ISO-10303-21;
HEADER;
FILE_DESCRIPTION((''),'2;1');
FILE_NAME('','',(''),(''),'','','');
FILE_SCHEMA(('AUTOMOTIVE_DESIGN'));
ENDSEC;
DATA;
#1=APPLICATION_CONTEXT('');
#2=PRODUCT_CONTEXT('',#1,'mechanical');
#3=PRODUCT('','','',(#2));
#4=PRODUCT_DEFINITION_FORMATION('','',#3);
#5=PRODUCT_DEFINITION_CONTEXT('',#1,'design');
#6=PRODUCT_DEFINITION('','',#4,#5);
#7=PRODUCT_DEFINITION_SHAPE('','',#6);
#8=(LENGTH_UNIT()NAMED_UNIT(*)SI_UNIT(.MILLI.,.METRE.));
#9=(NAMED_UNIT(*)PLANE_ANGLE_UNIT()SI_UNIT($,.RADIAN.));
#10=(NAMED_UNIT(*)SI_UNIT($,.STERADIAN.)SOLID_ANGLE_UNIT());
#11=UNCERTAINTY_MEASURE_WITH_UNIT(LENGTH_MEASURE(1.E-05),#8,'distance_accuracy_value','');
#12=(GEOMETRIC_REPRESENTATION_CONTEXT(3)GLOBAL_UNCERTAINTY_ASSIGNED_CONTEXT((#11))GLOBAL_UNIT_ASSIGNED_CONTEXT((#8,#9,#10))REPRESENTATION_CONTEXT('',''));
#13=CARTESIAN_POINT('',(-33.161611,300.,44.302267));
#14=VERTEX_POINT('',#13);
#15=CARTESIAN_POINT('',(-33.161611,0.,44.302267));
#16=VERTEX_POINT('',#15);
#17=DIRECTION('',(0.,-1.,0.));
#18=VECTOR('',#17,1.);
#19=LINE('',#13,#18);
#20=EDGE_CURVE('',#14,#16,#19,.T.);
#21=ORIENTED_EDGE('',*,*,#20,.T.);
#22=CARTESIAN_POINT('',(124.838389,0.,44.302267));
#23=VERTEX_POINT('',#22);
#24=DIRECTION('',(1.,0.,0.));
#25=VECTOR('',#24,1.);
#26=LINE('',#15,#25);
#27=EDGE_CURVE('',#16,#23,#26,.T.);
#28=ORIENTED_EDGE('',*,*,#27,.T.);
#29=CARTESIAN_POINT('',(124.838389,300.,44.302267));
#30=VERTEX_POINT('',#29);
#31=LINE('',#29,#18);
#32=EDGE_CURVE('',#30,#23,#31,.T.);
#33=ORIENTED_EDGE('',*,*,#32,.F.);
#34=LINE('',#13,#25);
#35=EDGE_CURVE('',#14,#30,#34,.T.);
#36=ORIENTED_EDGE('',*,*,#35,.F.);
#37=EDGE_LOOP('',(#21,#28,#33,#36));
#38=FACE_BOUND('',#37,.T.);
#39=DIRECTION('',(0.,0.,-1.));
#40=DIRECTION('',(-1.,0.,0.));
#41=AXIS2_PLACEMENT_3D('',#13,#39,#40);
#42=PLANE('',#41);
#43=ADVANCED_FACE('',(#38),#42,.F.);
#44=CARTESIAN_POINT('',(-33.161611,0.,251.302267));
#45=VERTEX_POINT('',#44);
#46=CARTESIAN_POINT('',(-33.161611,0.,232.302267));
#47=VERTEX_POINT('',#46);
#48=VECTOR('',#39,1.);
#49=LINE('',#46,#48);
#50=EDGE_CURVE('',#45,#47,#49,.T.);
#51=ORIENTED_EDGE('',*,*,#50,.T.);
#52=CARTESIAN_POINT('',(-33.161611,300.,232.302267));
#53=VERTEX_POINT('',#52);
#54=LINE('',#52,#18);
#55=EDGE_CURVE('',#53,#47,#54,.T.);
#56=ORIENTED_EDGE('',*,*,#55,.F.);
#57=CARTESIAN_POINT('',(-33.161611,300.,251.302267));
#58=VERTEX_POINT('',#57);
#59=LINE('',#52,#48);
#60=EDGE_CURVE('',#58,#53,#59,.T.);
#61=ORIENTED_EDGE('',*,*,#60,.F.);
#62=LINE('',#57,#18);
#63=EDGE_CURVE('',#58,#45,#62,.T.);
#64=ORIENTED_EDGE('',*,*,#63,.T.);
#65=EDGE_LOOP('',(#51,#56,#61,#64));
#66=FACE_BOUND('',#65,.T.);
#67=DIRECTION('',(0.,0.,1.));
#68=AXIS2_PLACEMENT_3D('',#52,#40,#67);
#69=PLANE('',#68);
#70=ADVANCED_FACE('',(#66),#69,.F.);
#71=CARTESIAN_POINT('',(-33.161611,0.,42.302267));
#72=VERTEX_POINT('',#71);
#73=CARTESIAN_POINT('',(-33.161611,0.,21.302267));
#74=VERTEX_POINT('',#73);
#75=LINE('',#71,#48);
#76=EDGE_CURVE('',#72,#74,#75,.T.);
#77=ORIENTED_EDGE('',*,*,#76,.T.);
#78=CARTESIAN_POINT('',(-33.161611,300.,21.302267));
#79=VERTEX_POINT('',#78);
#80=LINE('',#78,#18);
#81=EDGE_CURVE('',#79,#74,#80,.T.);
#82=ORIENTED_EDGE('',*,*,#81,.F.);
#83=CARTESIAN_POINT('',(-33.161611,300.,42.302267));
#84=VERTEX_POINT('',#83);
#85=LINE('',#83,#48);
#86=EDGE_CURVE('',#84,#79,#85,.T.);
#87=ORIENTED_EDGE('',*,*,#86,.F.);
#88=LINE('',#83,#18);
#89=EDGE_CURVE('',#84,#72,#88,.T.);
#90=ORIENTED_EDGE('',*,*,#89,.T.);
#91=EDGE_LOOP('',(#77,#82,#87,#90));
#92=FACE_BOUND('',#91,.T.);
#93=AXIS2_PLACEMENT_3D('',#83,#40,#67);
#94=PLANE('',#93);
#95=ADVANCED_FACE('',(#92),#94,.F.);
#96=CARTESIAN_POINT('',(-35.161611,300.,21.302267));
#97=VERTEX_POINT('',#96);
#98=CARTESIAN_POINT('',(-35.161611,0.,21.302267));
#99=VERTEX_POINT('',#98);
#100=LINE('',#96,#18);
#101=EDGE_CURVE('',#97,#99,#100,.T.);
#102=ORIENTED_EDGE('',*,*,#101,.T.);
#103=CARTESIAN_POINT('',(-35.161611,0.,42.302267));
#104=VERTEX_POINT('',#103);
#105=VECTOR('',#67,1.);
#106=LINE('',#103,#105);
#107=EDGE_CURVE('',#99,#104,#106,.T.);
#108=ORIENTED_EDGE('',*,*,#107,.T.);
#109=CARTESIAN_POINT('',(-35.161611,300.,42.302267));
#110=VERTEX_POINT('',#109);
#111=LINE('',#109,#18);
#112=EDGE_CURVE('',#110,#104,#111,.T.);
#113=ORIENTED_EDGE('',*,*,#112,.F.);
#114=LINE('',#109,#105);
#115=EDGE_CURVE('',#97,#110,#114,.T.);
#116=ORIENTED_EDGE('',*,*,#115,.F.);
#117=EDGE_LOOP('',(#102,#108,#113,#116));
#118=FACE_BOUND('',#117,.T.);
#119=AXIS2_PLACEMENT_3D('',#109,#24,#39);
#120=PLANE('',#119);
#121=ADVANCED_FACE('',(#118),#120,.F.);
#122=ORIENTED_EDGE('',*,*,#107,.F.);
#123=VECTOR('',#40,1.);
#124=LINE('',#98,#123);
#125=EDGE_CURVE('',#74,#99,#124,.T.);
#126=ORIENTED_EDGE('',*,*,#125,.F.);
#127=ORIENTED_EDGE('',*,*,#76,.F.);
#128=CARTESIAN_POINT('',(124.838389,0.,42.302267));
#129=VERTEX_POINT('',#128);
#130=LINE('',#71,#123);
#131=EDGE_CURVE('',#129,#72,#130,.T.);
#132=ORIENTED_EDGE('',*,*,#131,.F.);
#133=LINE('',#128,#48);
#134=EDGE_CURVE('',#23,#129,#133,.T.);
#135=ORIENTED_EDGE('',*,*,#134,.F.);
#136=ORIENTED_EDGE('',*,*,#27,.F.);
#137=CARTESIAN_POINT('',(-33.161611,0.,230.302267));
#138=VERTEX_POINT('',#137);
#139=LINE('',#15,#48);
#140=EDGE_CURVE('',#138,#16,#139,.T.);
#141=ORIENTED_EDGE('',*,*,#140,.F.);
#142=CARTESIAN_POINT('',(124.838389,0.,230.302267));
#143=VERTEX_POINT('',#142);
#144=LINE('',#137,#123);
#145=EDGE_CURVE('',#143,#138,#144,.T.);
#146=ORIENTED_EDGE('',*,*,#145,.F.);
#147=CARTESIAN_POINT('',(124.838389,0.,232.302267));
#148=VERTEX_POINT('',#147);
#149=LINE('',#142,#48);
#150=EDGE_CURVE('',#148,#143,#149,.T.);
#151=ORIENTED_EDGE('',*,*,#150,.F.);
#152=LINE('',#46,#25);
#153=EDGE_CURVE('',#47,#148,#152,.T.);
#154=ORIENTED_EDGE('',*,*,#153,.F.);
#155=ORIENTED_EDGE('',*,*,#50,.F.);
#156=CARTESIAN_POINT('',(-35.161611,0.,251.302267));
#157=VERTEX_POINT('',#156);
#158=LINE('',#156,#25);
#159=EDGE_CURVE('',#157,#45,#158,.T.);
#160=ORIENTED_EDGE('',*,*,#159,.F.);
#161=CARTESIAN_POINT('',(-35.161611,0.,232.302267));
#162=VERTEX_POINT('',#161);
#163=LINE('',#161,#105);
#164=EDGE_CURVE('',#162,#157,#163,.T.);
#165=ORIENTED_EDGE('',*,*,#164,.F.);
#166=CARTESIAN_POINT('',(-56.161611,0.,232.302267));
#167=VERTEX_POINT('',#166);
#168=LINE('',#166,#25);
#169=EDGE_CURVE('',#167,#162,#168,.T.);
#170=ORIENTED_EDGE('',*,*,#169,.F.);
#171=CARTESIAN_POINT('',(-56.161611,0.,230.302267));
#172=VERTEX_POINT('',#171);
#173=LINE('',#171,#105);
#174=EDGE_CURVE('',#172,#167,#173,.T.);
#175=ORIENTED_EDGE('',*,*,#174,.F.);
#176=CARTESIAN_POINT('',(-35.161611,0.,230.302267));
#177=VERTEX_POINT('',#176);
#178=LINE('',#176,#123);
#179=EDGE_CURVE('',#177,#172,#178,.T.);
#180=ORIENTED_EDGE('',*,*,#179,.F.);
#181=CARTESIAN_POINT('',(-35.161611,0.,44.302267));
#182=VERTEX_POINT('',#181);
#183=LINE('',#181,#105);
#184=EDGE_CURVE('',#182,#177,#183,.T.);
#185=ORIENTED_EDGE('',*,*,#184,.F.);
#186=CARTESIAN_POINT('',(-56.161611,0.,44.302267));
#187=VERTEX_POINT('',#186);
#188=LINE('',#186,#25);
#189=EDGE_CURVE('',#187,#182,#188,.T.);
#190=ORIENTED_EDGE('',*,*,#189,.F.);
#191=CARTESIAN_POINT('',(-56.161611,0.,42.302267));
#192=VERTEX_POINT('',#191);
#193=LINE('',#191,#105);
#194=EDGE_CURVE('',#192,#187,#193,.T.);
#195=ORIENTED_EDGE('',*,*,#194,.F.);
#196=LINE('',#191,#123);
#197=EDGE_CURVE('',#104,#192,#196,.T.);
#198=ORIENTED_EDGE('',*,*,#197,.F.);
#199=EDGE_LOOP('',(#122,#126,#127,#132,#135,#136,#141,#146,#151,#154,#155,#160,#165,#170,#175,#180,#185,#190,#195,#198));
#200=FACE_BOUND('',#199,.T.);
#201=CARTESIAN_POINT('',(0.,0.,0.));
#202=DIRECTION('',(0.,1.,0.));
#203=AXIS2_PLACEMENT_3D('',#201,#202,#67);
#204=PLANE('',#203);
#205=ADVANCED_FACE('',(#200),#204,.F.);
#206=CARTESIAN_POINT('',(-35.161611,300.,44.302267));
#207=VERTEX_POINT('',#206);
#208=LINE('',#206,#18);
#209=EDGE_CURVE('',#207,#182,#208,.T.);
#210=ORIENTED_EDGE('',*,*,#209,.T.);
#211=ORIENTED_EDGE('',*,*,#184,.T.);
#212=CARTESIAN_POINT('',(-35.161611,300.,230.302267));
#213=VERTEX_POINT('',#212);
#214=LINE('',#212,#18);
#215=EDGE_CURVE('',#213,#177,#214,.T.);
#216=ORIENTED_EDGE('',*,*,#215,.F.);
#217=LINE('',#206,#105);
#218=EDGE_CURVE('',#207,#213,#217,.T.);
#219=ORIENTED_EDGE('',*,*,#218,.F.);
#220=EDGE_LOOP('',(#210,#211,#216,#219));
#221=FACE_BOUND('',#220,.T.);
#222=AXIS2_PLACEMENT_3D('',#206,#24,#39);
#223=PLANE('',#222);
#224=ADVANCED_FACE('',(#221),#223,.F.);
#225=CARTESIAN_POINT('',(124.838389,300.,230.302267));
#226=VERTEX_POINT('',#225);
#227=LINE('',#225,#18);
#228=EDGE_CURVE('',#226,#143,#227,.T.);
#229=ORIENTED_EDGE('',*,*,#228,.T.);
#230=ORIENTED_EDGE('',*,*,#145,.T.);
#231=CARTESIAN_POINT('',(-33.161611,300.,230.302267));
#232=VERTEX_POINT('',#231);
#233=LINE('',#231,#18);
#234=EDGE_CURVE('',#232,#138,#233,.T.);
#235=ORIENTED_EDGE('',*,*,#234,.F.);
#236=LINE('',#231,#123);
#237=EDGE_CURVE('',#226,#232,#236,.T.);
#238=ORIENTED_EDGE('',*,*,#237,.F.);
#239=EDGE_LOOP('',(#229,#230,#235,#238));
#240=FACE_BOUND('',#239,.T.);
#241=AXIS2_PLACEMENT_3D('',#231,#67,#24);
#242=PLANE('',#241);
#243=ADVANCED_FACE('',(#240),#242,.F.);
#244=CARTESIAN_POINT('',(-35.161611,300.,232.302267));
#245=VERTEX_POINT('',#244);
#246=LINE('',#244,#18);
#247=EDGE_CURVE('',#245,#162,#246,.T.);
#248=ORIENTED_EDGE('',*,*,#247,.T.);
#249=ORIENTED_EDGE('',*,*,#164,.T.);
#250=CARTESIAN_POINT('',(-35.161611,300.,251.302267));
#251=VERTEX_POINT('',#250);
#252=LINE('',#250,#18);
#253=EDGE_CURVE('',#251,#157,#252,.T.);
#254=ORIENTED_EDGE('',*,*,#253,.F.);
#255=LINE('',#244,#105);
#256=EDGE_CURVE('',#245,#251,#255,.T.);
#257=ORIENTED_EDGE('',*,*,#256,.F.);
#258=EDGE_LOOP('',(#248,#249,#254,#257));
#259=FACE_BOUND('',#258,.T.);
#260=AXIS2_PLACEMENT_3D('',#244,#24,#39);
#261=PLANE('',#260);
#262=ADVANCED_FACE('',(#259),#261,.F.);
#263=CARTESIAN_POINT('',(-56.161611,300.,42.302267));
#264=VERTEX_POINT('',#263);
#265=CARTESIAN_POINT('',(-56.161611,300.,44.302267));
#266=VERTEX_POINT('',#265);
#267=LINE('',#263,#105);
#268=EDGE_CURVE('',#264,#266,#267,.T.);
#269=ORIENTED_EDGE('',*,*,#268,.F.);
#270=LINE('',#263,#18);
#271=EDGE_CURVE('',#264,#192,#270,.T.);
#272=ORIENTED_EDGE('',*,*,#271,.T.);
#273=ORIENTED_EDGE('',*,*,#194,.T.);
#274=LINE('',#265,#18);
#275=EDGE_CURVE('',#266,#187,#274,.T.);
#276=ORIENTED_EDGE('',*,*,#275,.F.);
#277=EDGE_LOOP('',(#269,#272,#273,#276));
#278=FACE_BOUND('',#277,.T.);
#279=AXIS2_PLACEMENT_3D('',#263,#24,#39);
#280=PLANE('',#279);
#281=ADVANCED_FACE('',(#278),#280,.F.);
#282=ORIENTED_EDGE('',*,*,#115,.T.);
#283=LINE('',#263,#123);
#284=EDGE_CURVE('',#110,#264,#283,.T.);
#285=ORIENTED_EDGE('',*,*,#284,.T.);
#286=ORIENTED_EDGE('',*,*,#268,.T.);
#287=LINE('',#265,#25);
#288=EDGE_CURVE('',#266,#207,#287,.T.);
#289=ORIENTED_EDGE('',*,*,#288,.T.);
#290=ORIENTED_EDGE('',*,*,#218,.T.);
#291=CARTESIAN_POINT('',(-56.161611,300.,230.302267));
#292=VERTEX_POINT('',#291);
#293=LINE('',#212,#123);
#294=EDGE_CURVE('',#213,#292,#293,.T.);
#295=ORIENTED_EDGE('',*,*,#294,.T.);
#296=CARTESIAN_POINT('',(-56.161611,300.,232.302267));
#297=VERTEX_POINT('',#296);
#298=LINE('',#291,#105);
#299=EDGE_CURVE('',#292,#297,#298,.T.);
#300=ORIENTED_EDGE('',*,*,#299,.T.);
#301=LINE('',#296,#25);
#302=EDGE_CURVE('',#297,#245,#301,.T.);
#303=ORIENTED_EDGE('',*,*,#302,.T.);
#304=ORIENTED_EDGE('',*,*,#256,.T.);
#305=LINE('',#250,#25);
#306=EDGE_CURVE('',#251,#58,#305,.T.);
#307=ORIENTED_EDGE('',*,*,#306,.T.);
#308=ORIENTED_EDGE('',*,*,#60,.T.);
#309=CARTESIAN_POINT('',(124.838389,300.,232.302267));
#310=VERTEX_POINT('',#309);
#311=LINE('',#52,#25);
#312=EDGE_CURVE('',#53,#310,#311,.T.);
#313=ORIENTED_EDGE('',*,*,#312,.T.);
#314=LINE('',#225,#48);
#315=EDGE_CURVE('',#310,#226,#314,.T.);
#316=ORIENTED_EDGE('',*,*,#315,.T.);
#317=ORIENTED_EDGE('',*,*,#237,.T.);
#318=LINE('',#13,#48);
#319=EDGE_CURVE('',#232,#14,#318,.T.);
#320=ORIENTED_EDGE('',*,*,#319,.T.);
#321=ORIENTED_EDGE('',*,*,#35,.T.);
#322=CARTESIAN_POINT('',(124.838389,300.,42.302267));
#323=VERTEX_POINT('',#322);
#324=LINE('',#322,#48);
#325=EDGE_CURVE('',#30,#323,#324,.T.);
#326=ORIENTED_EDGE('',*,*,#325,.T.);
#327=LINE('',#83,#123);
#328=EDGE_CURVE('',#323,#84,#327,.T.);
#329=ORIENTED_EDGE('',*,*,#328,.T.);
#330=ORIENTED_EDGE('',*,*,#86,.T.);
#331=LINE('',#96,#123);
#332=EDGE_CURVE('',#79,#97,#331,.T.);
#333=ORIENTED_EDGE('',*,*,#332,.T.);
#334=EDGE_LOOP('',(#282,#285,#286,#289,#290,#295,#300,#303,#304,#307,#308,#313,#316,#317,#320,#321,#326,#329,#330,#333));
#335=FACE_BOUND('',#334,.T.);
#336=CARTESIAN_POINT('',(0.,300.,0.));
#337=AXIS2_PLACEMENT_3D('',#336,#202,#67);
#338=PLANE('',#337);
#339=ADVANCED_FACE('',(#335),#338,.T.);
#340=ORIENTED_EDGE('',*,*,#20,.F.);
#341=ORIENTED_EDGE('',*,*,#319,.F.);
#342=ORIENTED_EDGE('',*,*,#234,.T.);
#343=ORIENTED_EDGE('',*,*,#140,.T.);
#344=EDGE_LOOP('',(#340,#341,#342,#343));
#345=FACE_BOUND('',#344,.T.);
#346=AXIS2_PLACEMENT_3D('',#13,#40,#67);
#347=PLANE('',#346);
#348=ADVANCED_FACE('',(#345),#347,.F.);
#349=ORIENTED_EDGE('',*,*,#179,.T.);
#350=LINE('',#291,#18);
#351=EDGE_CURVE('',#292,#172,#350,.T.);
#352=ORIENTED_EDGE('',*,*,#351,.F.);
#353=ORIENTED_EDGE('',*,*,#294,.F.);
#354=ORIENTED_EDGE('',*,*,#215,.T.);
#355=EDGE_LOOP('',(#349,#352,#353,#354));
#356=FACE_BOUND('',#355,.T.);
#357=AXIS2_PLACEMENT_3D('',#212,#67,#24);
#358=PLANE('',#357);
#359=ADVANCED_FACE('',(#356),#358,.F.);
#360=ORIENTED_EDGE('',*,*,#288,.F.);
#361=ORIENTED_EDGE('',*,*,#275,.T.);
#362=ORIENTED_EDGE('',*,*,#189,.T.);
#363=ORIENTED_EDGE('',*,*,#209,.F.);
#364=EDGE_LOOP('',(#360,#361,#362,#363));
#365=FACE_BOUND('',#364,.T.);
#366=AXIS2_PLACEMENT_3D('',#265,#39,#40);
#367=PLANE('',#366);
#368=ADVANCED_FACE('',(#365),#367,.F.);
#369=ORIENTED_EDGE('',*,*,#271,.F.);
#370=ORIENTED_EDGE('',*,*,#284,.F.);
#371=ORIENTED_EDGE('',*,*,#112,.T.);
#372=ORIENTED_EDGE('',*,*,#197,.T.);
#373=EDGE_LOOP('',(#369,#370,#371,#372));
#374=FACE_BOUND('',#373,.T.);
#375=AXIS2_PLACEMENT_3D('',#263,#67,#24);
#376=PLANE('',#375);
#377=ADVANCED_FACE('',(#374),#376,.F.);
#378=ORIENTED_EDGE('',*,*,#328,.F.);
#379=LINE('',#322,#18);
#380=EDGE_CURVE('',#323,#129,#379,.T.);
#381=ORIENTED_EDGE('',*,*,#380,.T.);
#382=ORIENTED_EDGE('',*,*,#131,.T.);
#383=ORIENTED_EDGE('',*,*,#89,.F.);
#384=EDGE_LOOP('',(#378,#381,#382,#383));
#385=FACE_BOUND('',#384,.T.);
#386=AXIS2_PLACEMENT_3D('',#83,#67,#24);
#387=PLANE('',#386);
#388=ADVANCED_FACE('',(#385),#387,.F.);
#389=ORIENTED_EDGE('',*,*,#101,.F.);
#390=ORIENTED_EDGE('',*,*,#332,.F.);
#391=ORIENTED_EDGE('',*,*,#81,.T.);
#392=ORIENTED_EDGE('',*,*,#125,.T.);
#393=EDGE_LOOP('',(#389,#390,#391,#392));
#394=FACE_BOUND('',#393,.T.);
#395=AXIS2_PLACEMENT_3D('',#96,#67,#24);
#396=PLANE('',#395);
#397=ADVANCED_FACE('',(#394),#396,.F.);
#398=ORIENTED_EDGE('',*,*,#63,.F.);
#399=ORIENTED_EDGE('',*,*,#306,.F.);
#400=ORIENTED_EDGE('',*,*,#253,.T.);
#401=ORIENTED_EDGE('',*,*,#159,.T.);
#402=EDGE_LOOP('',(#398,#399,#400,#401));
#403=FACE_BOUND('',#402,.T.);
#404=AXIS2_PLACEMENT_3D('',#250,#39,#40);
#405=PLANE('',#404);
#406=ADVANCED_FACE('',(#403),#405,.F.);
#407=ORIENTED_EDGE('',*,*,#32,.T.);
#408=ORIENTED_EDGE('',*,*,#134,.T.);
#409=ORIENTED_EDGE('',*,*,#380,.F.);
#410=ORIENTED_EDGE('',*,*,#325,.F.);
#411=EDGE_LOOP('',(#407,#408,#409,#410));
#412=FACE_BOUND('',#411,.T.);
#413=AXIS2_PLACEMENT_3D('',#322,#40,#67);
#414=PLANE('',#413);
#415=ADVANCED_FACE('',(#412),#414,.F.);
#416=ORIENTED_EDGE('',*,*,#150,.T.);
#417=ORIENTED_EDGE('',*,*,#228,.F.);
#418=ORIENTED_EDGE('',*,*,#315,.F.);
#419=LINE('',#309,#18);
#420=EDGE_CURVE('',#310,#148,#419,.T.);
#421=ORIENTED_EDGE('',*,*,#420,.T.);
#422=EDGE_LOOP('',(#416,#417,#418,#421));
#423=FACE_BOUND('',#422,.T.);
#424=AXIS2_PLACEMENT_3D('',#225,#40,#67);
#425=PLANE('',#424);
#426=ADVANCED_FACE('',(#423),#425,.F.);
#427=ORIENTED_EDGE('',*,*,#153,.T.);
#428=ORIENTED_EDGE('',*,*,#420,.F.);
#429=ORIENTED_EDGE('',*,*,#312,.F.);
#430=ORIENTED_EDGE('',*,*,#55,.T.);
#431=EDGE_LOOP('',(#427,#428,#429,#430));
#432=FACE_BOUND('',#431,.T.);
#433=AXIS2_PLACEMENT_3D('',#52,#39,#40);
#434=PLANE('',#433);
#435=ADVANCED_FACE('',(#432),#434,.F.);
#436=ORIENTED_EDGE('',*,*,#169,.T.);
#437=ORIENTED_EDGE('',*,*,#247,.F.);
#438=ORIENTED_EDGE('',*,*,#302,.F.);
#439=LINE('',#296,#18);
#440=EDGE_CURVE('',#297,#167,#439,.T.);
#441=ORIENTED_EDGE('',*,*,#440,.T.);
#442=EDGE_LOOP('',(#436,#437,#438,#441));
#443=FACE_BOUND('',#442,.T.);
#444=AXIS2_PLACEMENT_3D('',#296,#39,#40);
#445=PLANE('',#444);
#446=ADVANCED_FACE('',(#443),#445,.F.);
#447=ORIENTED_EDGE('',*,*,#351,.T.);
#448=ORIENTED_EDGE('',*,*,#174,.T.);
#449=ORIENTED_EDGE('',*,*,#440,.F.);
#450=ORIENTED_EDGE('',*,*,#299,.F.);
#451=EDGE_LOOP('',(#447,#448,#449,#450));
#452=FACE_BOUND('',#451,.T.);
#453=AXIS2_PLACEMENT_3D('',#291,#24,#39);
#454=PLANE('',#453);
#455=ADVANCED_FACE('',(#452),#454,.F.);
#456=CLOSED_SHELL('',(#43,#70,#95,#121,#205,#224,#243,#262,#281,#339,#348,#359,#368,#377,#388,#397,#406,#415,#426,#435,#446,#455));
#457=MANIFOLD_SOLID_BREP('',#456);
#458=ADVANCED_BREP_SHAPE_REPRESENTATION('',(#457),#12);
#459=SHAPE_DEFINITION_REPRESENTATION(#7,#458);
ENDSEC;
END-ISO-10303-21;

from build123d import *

# Parameters (mm, degrees)
BOSS_EXTRUDE1_DEPTH = 300


with BuildPart() as part:
    # Sketch1 → Boss-Extrude1 (new body)
    with BuildSketch(Plane(origin=(0, 0, 0), x_dir=(1, 0, 0), z_dir=(0, 1, 0))):
        Polygon((-56.161611152, -42.302266887), (-35.161611152, -42.302266887), (-35.161611152, -21.302266887), (-33.161611152, -21.302266887), (-33.161611152, -42.302266887), (124.838388848, -42.302266887), (124.838388848, -44.302266887), (-33.161611152, -44.302266887), (-33.161611152, -230.302266887), (124.838388848, -230.302266887), (124.838388848, -232.302266887), (-33.161611152, -232.302266887), (-33.161611152, -251.302266887), (-35.161611152, -251.302266887), (-35.161611152, -232.302266887), (-56.161611152, -232.302266887), (-56.161611152, -230.302266887), (-35.161611152, -230.302266887), (-35.161611152, -44.302266887), (-56.161611152, -44.302266887), align=None)
    extrude(amount=BOSS_EXTRUDE1_DEPTH)


solid = part.part
